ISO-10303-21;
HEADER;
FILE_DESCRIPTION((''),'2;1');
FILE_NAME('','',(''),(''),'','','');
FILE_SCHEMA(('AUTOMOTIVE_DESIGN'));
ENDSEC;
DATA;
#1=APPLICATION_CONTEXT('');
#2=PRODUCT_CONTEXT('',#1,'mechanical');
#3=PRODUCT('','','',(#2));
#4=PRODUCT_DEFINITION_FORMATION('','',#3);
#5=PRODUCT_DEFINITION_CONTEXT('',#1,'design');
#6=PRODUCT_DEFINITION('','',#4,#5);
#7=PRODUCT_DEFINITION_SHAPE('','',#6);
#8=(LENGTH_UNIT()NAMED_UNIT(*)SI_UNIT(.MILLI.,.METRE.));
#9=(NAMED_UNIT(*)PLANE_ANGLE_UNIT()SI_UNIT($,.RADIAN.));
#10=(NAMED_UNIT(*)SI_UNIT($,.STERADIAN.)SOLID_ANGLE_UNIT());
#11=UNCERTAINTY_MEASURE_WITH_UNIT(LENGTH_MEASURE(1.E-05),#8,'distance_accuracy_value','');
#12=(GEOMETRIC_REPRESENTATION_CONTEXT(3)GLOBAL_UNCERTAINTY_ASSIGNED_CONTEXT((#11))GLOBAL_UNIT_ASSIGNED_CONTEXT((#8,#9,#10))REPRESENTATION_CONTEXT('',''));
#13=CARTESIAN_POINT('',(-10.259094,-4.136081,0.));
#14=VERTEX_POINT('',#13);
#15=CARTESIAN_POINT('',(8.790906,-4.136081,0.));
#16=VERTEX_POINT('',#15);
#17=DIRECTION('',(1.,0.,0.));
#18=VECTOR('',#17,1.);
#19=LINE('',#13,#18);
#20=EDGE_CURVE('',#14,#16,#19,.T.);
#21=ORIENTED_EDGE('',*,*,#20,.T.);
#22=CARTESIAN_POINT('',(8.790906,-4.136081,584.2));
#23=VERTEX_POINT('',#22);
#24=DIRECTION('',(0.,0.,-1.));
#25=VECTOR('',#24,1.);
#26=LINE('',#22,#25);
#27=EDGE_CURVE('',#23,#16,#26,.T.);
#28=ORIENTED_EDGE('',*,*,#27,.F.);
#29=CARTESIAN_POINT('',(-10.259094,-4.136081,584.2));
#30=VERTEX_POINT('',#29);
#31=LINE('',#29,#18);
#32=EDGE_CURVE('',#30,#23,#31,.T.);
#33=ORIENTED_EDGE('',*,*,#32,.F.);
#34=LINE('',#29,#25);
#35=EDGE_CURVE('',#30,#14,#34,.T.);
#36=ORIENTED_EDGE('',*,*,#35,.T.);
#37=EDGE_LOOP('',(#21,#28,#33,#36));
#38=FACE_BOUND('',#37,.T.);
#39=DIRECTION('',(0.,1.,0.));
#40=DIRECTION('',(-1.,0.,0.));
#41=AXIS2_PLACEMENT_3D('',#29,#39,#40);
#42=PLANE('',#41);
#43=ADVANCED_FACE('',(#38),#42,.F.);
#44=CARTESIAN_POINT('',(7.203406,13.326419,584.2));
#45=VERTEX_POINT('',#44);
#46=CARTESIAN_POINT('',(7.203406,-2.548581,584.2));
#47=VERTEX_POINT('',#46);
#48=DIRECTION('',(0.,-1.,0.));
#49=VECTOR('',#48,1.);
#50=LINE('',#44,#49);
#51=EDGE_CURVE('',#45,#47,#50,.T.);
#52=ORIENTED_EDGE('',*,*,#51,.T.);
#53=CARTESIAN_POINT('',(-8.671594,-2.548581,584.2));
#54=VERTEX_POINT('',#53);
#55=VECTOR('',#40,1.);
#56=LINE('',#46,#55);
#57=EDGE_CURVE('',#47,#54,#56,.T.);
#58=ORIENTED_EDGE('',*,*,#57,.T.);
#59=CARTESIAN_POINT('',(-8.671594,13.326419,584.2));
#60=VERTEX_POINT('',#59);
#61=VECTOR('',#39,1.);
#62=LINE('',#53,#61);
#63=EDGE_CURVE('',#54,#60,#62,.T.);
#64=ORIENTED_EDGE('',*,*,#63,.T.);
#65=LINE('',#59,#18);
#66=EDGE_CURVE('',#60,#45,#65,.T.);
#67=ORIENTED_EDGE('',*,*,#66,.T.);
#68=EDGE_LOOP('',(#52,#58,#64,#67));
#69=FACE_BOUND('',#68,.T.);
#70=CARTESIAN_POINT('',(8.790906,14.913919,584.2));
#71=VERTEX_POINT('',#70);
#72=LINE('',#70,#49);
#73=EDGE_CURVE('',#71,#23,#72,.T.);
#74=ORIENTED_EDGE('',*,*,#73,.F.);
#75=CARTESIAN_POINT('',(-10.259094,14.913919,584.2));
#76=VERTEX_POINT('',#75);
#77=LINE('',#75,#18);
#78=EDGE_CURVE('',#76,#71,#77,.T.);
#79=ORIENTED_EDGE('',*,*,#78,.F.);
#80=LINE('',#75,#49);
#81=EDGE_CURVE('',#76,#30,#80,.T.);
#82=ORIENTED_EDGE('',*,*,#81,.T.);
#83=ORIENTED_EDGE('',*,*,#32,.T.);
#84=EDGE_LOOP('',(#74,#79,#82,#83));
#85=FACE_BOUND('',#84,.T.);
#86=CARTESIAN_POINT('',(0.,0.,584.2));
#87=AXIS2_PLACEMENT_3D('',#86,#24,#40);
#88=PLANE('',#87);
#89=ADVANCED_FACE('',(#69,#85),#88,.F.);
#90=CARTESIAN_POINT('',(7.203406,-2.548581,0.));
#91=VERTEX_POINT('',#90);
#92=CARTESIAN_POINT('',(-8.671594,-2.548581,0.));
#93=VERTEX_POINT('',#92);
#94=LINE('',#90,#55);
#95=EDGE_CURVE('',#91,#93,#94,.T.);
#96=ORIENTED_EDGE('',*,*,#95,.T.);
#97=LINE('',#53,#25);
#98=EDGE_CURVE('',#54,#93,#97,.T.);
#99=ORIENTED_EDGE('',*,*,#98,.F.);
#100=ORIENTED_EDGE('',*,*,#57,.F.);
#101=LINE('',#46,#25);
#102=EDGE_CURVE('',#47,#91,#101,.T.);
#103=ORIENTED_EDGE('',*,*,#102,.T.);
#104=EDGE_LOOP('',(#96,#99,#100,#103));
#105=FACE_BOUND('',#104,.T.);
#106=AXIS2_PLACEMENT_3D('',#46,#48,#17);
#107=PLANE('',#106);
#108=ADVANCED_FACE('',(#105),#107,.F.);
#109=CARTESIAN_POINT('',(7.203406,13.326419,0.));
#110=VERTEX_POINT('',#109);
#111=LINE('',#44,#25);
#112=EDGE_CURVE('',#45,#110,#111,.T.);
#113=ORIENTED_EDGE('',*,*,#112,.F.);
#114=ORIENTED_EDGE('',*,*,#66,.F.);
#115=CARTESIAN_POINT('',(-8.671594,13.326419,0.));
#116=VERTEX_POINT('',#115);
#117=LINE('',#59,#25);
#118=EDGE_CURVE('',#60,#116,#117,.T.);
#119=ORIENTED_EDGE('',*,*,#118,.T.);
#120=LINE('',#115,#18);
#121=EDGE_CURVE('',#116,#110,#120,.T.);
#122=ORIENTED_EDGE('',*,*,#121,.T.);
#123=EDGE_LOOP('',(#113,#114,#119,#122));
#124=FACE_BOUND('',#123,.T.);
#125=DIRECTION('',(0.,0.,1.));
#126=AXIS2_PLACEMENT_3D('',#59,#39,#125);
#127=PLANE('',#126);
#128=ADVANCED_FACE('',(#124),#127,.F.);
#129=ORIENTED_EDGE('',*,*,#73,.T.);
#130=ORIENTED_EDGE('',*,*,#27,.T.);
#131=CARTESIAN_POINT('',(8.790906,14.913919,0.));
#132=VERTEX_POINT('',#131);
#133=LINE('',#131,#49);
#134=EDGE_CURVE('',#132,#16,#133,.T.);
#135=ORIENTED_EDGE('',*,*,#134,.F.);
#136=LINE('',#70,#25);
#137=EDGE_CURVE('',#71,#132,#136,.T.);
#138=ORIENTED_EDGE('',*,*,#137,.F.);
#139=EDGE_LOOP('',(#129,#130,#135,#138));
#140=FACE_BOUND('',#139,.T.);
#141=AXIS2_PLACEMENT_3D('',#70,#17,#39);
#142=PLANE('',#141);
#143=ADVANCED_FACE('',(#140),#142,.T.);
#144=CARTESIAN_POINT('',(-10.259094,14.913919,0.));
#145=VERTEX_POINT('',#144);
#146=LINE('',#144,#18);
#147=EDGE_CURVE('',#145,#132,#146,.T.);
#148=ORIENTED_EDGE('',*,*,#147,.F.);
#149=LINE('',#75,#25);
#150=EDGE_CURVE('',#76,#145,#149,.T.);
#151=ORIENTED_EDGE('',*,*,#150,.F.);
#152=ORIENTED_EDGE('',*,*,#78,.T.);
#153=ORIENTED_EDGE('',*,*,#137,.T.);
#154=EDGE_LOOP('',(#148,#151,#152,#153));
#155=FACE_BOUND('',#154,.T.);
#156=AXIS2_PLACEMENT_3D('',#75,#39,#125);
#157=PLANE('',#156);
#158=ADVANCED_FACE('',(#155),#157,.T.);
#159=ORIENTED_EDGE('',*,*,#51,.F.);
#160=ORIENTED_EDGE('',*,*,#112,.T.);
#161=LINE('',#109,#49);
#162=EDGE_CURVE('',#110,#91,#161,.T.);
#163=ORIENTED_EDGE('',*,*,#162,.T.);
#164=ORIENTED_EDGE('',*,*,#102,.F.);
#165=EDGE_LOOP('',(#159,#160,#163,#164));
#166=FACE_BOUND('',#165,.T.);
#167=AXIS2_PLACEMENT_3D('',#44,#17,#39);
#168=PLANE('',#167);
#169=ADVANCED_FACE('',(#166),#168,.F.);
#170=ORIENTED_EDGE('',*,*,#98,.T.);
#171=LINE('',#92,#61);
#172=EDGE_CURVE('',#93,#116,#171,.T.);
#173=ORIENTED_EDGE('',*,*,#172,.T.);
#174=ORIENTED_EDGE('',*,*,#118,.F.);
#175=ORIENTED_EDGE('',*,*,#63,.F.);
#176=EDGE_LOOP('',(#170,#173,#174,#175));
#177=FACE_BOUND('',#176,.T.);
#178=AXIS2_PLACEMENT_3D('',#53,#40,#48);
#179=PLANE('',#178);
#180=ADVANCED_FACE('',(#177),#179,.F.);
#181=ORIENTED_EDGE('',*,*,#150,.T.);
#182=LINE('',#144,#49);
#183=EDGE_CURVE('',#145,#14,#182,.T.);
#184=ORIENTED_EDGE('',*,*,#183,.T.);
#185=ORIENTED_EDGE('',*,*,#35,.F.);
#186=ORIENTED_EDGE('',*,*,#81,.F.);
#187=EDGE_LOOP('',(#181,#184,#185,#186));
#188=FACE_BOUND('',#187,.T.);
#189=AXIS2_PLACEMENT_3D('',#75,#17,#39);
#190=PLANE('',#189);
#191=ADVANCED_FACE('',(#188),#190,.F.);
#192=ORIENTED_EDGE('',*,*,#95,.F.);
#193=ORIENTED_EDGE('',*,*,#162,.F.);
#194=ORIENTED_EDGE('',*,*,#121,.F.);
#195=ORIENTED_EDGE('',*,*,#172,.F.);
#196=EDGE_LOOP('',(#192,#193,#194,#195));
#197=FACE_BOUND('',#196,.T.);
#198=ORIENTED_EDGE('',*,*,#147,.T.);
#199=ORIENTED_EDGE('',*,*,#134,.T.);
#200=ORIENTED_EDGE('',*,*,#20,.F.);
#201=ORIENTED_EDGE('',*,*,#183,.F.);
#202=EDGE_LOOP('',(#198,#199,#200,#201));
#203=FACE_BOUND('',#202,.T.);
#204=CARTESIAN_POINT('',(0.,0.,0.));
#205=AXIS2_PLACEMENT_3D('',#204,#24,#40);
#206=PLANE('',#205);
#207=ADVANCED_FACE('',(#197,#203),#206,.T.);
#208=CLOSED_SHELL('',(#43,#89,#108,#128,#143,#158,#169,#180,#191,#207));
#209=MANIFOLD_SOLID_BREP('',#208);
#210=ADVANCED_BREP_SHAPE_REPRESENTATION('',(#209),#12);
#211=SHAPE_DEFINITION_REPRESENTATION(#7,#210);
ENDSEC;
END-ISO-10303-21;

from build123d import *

# Parameters (mm, degrees)
SKETCH2_W           = 19.05
SKETCH2_H           = 19.05
BOSS_EXTRUDE1_DEPTH = 584.2
SKETCH4_W           = 15.875
SKETCH4_H           = 15.875
CUT_EXTRUDE1_DEPTH  = 585.2


with BuildPart() as part:
    # Sketch2 → Boss-Extrude1 (new body)
    with BuildSketch(Plane.XY):
        with Locations((-0.734093805, 5.388919414)):
            Rectangle(SKETCH2_W, SKETCH2_H)
    extrude(amount=BOSS_EXTRUDE1_DEPTH)

    # Sketch4 → Cut-Extrude1 (cut, through all)
    with BuildSketch(Plane(origin=(0, 0, 0), x_dir=(-1, 0, 0), z_dir=(0, 0, -1))):
        with Locations((0.734093805, 5.388919414)):
            Rectangle(SKETCH4_W, SKETCH4_H)
    extrude(amount=-CUT_EXTRUDE1_DEPTH, mode=Mode.SUBTRACT)


solid = part.part
